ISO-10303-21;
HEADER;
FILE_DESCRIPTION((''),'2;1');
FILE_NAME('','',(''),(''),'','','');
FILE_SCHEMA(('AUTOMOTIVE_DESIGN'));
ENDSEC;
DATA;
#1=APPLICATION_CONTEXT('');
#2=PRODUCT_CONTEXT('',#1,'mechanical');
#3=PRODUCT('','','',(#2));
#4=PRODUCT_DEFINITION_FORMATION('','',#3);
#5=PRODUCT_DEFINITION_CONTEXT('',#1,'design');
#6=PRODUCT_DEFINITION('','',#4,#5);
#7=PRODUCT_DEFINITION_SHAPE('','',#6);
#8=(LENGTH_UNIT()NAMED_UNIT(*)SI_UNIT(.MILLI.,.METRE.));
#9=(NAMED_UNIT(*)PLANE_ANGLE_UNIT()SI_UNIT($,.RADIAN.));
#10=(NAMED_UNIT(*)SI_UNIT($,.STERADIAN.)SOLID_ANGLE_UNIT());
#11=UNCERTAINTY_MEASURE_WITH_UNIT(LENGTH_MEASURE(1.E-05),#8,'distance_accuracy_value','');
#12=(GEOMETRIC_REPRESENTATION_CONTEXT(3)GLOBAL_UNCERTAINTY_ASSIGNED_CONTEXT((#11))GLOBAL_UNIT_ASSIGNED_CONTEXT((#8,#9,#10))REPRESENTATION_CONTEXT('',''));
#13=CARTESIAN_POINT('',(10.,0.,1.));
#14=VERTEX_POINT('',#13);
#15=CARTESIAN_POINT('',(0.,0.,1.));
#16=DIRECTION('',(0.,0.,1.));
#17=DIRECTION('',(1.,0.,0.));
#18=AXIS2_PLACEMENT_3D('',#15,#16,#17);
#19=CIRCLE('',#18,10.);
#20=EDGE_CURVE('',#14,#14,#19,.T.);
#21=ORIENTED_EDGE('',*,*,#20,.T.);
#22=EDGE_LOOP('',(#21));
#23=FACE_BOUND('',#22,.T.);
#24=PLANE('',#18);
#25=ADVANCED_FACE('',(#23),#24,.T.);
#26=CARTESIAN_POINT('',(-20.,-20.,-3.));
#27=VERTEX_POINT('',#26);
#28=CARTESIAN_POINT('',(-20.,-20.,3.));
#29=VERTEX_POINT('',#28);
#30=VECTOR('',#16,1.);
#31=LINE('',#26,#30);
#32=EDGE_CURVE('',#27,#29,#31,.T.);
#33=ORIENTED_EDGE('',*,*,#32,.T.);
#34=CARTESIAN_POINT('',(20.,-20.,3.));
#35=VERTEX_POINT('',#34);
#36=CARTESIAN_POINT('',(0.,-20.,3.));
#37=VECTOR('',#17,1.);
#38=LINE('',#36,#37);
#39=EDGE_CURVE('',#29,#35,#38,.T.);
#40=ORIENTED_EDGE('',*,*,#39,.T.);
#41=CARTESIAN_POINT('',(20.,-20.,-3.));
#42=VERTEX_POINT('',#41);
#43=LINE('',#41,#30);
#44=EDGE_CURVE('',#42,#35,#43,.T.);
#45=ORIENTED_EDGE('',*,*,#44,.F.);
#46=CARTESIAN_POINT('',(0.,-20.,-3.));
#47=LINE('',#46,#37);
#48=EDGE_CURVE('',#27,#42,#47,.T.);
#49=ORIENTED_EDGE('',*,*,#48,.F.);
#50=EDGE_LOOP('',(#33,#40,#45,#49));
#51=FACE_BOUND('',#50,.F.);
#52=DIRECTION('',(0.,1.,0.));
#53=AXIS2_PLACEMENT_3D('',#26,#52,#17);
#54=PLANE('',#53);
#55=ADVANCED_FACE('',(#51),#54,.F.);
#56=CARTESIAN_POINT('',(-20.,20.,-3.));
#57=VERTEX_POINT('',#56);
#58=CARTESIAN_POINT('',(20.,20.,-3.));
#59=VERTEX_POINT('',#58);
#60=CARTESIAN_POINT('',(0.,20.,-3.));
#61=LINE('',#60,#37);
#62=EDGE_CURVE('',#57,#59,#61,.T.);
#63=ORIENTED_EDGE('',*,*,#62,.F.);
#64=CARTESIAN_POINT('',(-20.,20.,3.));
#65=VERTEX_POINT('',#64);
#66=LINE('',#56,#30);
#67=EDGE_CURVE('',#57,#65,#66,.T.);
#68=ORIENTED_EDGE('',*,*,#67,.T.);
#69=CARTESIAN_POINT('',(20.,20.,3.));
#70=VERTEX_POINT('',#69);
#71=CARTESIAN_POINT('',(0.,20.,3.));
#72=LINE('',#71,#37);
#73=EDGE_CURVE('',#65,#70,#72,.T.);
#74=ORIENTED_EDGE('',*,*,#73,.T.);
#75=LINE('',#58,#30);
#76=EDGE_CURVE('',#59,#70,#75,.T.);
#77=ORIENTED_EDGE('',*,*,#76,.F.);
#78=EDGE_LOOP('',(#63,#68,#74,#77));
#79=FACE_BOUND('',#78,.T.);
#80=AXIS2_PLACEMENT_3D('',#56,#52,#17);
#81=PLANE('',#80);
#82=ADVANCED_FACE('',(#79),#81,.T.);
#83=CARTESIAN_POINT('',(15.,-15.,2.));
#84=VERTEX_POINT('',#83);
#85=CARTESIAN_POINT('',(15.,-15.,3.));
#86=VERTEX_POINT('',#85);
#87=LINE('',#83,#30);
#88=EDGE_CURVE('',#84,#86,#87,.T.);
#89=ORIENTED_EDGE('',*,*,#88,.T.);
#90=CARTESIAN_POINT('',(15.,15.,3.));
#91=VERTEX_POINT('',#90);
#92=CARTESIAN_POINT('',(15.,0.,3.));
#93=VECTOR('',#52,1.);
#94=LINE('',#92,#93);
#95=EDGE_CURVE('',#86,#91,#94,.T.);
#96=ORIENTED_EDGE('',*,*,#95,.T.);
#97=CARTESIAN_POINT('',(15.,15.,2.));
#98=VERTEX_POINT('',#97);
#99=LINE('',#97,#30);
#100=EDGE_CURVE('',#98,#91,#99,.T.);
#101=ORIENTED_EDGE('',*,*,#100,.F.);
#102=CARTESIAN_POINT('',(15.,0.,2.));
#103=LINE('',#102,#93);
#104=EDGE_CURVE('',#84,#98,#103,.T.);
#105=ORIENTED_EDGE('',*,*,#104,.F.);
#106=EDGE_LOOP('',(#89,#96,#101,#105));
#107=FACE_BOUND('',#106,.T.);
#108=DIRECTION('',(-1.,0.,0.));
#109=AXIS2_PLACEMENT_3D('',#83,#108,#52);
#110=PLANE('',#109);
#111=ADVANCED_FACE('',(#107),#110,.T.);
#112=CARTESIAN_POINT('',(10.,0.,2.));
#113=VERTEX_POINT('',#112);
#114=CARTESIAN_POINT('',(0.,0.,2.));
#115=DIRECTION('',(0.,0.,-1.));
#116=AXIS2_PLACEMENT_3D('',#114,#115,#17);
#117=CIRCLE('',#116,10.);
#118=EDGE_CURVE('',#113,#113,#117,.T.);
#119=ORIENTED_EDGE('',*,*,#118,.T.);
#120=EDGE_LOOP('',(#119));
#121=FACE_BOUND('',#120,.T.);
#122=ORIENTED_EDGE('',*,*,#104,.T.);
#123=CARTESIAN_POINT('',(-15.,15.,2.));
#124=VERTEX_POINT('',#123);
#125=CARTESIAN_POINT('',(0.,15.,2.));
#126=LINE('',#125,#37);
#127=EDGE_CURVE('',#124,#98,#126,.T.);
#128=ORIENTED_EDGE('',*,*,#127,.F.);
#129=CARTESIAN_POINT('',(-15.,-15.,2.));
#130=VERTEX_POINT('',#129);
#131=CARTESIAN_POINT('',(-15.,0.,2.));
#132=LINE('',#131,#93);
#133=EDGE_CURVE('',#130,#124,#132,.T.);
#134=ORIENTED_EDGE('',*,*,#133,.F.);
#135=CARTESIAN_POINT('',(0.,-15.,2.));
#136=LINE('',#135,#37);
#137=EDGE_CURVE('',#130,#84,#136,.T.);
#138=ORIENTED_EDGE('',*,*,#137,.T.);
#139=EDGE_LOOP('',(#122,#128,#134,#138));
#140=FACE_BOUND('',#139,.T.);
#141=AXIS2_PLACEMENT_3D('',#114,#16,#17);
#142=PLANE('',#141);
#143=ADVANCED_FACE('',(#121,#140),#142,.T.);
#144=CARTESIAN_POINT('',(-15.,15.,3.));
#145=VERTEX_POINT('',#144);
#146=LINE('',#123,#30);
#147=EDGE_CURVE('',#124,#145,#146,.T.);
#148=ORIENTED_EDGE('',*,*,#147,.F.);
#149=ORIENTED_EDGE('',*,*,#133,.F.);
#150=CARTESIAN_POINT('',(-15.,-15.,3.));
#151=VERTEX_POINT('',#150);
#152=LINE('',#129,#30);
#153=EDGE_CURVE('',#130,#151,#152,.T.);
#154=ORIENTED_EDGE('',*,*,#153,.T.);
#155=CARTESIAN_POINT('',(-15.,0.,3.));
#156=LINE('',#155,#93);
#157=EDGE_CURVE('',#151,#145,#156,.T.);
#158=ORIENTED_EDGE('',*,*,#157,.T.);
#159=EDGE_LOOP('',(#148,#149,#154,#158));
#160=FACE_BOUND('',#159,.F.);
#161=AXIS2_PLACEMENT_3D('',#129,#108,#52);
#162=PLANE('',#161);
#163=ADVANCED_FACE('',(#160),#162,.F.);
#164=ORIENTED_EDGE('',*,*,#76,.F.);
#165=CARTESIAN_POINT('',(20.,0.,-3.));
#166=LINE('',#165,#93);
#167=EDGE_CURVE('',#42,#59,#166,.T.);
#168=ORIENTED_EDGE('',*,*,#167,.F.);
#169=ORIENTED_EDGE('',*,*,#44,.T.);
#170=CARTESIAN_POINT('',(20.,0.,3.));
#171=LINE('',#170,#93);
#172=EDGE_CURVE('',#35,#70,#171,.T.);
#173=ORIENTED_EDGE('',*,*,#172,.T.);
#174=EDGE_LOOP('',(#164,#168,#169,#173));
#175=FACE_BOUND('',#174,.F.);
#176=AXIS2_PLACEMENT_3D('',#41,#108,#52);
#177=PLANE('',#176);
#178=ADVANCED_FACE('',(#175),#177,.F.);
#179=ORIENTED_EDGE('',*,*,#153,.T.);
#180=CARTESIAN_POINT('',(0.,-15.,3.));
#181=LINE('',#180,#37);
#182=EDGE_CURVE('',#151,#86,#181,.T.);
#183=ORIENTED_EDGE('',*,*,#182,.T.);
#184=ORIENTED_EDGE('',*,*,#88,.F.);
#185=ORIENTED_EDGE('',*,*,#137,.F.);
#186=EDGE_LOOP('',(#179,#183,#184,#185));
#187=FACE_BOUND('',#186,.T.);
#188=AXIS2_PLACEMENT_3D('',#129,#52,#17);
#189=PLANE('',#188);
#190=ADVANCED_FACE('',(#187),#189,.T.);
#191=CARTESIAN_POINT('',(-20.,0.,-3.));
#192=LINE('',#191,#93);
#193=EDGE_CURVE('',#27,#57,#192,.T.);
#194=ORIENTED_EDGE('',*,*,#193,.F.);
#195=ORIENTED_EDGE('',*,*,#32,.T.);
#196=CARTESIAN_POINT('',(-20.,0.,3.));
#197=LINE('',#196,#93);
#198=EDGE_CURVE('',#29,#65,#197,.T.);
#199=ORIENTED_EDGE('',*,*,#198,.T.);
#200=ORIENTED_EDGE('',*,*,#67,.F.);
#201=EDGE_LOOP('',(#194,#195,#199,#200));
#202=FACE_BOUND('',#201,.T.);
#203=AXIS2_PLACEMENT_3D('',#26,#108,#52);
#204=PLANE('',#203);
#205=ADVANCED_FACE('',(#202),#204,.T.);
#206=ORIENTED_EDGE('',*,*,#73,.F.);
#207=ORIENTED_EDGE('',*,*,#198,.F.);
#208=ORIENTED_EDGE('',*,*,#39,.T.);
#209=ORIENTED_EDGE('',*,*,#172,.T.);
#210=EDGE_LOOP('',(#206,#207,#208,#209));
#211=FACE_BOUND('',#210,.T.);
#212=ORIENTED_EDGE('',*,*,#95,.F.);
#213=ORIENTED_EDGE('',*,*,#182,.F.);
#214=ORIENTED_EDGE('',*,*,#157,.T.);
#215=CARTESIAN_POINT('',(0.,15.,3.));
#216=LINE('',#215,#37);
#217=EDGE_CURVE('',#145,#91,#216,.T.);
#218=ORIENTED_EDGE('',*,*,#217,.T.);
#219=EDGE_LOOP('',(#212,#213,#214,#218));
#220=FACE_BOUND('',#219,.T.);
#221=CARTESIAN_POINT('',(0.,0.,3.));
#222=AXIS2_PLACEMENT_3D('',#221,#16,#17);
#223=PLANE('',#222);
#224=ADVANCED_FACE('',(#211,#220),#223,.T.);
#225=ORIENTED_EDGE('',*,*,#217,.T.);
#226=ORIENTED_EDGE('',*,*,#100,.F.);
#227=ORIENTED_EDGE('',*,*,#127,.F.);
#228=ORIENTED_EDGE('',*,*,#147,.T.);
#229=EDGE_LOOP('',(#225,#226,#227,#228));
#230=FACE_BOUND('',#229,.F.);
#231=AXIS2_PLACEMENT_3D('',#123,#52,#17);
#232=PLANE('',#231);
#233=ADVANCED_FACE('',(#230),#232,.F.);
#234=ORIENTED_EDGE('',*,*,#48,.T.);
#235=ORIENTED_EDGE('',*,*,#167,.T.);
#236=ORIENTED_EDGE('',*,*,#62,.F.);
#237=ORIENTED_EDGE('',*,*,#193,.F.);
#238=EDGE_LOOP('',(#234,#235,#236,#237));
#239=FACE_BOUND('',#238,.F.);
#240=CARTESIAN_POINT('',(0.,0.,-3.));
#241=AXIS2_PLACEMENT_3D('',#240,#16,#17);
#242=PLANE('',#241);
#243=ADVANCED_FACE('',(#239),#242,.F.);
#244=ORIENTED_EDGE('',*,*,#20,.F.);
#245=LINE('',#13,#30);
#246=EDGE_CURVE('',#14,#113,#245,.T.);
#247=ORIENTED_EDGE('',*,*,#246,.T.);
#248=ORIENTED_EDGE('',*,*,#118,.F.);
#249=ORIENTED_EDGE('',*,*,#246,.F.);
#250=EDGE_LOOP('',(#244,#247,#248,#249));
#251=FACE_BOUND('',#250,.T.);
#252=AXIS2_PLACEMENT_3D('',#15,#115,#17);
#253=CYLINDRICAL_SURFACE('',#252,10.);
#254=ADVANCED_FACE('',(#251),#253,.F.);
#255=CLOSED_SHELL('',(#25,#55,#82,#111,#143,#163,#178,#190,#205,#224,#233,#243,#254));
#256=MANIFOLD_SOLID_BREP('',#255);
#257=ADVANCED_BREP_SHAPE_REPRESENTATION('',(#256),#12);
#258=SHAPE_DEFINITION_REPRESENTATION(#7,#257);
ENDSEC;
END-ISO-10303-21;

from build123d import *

# Parameters (mm, degrees)
CUBE001_W      = 30
CUBE001_H      = 30
CUBE001_DEPTH  = 1
CYLINDER_R     = 10
CYLINDER_DEPTH = 2
CUBE_W         = 40
CUBE_H         = 40
CUBE_DEPTH     = 6


with BuildPart() as cube001:
    # cube001 → cube001 (new body)
    with BuildSketch(Plane(origin=(-15, -15, 2), x_dir=(1, 0, 0), z_dir=(0, 0, 1))):
        with Locations((15, 15)):
            Rectangle(CUBE001_W, CUBE001_H)
    extrude(amount=CUBE001_DEPTH)


with BuildPart() as union:
    # cylinder → cylinder (new body)
    with BuildSketch(Plane.XY.offset(1)):
        Circle(CYLINDER_R)
    extrude(amount=CYLINDER_DEPTH)

    # union: union cube001
    add(cube001.part)


with BuildPart() as difference:
    # cube → cube (new body)
    with BuildSketch(Plane(origin=(-20, -20, -3), x_dir=(1, 0, 0), z_dir=(0, 0, 1))):
        with Locations((20, 20)):
            Rectangle(CUBE_W, CUBE_H)
    extrude(amount=CUBE_DEPTH)

    # difference: cut union
    add(union.part, mode=Mode.SUBTRACT)


solid = difference.part
